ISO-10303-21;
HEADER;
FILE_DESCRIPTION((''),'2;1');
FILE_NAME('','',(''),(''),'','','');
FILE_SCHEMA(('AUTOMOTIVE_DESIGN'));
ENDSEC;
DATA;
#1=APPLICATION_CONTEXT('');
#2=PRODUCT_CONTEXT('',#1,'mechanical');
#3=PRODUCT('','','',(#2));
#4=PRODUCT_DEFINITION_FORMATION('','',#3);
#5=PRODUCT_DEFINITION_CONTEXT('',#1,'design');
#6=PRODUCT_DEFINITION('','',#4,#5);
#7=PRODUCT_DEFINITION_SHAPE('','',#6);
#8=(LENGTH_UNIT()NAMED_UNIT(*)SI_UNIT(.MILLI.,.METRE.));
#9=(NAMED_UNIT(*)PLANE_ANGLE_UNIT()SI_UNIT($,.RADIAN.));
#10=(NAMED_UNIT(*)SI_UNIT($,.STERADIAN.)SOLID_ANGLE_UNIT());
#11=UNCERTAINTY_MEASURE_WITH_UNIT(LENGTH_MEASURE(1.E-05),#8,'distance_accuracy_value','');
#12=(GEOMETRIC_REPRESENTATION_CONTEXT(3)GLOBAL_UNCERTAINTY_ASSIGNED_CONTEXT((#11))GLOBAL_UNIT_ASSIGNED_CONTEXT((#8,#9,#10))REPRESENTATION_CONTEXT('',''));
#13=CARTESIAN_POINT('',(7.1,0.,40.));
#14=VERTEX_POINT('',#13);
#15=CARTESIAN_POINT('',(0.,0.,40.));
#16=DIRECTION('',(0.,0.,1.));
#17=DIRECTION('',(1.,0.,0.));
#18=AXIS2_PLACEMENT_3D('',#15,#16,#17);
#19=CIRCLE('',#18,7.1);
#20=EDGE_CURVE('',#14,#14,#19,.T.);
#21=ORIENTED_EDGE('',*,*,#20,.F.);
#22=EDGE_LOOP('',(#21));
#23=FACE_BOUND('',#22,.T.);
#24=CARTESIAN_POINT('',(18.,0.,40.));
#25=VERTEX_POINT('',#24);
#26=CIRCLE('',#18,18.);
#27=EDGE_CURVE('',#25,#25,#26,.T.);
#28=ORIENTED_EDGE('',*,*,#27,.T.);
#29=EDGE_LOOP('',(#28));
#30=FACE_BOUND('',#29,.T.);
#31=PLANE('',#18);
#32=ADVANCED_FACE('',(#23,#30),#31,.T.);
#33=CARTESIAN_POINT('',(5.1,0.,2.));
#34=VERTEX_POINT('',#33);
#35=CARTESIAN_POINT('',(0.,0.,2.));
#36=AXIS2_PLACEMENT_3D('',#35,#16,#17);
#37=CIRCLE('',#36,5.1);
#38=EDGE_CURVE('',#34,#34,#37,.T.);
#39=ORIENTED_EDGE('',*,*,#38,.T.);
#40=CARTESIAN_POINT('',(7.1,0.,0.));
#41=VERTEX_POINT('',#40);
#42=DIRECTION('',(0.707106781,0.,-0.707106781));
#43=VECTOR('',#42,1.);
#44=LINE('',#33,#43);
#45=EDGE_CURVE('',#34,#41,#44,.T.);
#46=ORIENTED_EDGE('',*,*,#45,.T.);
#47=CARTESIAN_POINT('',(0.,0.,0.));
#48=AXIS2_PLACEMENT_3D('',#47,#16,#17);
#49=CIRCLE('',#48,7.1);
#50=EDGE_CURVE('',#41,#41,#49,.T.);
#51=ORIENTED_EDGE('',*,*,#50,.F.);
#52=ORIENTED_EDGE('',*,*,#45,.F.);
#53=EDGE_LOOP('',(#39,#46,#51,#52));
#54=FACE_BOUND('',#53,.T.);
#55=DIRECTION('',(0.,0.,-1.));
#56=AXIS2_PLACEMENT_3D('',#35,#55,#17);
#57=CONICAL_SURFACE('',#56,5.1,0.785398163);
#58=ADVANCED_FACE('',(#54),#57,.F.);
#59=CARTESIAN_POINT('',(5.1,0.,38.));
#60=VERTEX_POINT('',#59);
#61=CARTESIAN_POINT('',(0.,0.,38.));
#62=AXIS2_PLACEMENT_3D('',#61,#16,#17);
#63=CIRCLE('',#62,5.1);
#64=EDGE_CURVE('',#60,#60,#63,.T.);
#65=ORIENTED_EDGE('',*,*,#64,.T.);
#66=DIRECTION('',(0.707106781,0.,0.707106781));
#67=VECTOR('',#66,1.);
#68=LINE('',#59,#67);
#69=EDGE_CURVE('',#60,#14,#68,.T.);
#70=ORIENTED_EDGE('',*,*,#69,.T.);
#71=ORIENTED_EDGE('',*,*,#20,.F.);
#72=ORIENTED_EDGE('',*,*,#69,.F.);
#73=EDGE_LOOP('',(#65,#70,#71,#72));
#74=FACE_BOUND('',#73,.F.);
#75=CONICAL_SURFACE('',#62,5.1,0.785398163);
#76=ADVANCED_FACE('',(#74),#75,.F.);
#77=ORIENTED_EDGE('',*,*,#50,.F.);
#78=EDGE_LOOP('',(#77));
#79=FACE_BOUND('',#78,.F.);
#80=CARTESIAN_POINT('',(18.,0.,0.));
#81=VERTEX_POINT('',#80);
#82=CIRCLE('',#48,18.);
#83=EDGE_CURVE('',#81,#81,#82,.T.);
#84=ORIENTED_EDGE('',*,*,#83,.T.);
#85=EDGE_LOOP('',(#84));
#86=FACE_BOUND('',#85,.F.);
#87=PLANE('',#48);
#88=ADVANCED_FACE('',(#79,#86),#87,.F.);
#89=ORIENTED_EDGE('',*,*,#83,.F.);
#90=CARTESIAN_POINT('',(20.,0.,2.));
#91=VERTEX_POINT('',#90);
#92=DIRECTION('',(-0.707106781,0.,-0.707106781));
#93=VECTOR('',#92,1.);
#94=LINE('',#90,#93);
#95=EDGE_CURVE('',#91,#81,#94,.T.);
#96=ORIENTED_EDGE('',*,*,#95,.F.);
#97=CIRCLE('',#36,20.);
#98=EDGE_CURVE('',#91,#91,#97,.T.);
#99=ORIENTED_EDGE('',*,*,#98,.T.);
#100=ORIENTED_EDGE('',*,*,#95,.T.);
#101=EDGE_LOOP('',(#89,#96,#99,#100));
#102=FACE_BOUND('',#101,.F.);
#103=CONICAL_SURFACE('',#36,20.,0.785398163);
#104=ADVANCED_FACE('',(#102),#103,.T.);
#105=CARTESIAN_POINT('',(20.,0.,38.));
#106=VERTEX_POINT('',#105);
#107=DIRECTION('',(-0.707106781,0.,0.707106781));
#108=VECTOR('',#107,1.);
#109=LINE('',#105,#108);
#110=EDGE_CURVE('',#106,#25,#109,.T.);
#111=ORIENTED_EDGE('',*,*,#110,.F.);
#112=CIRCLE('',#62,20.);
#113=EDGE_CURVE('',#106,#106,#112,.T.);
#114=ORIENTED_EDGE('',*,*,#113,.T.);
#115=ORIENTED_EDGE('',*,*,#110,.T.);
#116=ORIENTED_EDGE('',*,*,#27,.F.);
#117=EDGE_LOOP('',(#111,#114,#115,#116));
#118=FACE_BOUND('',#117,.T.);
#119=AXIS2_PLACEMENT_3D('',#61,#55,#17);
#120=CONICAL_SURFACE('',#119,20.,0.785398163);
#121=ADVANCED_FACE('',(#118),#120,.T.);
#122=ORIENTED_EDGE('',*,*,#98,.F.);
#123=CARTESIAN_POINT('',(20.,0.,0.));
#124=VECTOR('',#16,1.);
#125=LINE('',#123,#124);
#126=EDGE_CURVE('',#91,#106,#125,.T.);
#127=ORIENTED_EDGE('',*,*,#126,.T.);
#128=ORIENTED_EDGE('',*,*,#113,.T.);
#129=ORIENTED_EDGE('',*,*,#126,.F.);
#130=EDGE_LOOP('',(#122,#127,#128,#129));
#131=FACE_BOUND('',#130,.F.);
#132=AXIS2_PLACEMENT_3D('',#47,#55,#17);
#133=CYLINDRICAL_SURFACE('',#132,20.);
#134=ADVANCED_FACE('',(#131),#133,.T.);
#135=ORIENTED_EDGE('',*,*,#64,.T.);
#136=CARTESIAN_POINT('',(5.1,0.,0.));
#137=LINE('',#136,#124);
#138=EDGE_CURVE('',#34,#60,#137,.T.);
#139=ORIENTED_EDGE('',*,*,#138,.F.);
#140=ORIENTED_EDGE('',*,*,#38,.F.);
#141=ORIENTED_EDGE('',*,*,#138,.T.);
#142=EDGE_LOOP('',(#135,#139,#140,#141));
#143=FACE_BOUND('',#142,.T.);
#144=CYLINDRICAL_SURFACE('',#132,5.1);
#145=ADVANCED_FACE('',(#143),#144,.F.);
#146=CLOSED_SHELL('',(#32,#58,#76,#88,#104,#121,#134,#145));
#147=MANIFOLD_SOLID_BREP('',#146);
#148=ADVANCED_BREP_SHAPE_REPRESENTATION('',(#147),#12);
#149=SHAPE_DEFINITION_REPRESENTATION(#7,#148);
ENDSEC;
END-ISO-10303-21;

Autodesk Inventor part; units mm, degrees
ref_plane "YZ Plane" through (0, 0, 0) normal (1, 0, 0) x (0, 1, 0)
ref_plane "XZ Plane" through (0, 0, 0) normal (0, 1, 0) x (-1, 0, 0)
ref_plane "XY Plane" through (0, 0, 0) normal (0, 0, 1) x (1, 0, 0)
sketch "Sketch1" plane through (0, 0, 0) normal (0, 0, 1) x (1, 0, 0)
  circle A0 centre (0, 0) radius 20
  circle A1 centre (0, 0) radius 5.1
  dimension "d0" = 40
  dimension "d1" = 10.2
extrude "Extrusion1" add sketch "Sketch1" along normal blind 40
chamfer "Chamfer1" distance 2 angle 45 4 edges at (-20, 0, 0) (-20, 0, 40) (-5.1, 0, 0) (-5.1, 0, 40)
properties part number "spacerwiel" material "ABS Plastic"
